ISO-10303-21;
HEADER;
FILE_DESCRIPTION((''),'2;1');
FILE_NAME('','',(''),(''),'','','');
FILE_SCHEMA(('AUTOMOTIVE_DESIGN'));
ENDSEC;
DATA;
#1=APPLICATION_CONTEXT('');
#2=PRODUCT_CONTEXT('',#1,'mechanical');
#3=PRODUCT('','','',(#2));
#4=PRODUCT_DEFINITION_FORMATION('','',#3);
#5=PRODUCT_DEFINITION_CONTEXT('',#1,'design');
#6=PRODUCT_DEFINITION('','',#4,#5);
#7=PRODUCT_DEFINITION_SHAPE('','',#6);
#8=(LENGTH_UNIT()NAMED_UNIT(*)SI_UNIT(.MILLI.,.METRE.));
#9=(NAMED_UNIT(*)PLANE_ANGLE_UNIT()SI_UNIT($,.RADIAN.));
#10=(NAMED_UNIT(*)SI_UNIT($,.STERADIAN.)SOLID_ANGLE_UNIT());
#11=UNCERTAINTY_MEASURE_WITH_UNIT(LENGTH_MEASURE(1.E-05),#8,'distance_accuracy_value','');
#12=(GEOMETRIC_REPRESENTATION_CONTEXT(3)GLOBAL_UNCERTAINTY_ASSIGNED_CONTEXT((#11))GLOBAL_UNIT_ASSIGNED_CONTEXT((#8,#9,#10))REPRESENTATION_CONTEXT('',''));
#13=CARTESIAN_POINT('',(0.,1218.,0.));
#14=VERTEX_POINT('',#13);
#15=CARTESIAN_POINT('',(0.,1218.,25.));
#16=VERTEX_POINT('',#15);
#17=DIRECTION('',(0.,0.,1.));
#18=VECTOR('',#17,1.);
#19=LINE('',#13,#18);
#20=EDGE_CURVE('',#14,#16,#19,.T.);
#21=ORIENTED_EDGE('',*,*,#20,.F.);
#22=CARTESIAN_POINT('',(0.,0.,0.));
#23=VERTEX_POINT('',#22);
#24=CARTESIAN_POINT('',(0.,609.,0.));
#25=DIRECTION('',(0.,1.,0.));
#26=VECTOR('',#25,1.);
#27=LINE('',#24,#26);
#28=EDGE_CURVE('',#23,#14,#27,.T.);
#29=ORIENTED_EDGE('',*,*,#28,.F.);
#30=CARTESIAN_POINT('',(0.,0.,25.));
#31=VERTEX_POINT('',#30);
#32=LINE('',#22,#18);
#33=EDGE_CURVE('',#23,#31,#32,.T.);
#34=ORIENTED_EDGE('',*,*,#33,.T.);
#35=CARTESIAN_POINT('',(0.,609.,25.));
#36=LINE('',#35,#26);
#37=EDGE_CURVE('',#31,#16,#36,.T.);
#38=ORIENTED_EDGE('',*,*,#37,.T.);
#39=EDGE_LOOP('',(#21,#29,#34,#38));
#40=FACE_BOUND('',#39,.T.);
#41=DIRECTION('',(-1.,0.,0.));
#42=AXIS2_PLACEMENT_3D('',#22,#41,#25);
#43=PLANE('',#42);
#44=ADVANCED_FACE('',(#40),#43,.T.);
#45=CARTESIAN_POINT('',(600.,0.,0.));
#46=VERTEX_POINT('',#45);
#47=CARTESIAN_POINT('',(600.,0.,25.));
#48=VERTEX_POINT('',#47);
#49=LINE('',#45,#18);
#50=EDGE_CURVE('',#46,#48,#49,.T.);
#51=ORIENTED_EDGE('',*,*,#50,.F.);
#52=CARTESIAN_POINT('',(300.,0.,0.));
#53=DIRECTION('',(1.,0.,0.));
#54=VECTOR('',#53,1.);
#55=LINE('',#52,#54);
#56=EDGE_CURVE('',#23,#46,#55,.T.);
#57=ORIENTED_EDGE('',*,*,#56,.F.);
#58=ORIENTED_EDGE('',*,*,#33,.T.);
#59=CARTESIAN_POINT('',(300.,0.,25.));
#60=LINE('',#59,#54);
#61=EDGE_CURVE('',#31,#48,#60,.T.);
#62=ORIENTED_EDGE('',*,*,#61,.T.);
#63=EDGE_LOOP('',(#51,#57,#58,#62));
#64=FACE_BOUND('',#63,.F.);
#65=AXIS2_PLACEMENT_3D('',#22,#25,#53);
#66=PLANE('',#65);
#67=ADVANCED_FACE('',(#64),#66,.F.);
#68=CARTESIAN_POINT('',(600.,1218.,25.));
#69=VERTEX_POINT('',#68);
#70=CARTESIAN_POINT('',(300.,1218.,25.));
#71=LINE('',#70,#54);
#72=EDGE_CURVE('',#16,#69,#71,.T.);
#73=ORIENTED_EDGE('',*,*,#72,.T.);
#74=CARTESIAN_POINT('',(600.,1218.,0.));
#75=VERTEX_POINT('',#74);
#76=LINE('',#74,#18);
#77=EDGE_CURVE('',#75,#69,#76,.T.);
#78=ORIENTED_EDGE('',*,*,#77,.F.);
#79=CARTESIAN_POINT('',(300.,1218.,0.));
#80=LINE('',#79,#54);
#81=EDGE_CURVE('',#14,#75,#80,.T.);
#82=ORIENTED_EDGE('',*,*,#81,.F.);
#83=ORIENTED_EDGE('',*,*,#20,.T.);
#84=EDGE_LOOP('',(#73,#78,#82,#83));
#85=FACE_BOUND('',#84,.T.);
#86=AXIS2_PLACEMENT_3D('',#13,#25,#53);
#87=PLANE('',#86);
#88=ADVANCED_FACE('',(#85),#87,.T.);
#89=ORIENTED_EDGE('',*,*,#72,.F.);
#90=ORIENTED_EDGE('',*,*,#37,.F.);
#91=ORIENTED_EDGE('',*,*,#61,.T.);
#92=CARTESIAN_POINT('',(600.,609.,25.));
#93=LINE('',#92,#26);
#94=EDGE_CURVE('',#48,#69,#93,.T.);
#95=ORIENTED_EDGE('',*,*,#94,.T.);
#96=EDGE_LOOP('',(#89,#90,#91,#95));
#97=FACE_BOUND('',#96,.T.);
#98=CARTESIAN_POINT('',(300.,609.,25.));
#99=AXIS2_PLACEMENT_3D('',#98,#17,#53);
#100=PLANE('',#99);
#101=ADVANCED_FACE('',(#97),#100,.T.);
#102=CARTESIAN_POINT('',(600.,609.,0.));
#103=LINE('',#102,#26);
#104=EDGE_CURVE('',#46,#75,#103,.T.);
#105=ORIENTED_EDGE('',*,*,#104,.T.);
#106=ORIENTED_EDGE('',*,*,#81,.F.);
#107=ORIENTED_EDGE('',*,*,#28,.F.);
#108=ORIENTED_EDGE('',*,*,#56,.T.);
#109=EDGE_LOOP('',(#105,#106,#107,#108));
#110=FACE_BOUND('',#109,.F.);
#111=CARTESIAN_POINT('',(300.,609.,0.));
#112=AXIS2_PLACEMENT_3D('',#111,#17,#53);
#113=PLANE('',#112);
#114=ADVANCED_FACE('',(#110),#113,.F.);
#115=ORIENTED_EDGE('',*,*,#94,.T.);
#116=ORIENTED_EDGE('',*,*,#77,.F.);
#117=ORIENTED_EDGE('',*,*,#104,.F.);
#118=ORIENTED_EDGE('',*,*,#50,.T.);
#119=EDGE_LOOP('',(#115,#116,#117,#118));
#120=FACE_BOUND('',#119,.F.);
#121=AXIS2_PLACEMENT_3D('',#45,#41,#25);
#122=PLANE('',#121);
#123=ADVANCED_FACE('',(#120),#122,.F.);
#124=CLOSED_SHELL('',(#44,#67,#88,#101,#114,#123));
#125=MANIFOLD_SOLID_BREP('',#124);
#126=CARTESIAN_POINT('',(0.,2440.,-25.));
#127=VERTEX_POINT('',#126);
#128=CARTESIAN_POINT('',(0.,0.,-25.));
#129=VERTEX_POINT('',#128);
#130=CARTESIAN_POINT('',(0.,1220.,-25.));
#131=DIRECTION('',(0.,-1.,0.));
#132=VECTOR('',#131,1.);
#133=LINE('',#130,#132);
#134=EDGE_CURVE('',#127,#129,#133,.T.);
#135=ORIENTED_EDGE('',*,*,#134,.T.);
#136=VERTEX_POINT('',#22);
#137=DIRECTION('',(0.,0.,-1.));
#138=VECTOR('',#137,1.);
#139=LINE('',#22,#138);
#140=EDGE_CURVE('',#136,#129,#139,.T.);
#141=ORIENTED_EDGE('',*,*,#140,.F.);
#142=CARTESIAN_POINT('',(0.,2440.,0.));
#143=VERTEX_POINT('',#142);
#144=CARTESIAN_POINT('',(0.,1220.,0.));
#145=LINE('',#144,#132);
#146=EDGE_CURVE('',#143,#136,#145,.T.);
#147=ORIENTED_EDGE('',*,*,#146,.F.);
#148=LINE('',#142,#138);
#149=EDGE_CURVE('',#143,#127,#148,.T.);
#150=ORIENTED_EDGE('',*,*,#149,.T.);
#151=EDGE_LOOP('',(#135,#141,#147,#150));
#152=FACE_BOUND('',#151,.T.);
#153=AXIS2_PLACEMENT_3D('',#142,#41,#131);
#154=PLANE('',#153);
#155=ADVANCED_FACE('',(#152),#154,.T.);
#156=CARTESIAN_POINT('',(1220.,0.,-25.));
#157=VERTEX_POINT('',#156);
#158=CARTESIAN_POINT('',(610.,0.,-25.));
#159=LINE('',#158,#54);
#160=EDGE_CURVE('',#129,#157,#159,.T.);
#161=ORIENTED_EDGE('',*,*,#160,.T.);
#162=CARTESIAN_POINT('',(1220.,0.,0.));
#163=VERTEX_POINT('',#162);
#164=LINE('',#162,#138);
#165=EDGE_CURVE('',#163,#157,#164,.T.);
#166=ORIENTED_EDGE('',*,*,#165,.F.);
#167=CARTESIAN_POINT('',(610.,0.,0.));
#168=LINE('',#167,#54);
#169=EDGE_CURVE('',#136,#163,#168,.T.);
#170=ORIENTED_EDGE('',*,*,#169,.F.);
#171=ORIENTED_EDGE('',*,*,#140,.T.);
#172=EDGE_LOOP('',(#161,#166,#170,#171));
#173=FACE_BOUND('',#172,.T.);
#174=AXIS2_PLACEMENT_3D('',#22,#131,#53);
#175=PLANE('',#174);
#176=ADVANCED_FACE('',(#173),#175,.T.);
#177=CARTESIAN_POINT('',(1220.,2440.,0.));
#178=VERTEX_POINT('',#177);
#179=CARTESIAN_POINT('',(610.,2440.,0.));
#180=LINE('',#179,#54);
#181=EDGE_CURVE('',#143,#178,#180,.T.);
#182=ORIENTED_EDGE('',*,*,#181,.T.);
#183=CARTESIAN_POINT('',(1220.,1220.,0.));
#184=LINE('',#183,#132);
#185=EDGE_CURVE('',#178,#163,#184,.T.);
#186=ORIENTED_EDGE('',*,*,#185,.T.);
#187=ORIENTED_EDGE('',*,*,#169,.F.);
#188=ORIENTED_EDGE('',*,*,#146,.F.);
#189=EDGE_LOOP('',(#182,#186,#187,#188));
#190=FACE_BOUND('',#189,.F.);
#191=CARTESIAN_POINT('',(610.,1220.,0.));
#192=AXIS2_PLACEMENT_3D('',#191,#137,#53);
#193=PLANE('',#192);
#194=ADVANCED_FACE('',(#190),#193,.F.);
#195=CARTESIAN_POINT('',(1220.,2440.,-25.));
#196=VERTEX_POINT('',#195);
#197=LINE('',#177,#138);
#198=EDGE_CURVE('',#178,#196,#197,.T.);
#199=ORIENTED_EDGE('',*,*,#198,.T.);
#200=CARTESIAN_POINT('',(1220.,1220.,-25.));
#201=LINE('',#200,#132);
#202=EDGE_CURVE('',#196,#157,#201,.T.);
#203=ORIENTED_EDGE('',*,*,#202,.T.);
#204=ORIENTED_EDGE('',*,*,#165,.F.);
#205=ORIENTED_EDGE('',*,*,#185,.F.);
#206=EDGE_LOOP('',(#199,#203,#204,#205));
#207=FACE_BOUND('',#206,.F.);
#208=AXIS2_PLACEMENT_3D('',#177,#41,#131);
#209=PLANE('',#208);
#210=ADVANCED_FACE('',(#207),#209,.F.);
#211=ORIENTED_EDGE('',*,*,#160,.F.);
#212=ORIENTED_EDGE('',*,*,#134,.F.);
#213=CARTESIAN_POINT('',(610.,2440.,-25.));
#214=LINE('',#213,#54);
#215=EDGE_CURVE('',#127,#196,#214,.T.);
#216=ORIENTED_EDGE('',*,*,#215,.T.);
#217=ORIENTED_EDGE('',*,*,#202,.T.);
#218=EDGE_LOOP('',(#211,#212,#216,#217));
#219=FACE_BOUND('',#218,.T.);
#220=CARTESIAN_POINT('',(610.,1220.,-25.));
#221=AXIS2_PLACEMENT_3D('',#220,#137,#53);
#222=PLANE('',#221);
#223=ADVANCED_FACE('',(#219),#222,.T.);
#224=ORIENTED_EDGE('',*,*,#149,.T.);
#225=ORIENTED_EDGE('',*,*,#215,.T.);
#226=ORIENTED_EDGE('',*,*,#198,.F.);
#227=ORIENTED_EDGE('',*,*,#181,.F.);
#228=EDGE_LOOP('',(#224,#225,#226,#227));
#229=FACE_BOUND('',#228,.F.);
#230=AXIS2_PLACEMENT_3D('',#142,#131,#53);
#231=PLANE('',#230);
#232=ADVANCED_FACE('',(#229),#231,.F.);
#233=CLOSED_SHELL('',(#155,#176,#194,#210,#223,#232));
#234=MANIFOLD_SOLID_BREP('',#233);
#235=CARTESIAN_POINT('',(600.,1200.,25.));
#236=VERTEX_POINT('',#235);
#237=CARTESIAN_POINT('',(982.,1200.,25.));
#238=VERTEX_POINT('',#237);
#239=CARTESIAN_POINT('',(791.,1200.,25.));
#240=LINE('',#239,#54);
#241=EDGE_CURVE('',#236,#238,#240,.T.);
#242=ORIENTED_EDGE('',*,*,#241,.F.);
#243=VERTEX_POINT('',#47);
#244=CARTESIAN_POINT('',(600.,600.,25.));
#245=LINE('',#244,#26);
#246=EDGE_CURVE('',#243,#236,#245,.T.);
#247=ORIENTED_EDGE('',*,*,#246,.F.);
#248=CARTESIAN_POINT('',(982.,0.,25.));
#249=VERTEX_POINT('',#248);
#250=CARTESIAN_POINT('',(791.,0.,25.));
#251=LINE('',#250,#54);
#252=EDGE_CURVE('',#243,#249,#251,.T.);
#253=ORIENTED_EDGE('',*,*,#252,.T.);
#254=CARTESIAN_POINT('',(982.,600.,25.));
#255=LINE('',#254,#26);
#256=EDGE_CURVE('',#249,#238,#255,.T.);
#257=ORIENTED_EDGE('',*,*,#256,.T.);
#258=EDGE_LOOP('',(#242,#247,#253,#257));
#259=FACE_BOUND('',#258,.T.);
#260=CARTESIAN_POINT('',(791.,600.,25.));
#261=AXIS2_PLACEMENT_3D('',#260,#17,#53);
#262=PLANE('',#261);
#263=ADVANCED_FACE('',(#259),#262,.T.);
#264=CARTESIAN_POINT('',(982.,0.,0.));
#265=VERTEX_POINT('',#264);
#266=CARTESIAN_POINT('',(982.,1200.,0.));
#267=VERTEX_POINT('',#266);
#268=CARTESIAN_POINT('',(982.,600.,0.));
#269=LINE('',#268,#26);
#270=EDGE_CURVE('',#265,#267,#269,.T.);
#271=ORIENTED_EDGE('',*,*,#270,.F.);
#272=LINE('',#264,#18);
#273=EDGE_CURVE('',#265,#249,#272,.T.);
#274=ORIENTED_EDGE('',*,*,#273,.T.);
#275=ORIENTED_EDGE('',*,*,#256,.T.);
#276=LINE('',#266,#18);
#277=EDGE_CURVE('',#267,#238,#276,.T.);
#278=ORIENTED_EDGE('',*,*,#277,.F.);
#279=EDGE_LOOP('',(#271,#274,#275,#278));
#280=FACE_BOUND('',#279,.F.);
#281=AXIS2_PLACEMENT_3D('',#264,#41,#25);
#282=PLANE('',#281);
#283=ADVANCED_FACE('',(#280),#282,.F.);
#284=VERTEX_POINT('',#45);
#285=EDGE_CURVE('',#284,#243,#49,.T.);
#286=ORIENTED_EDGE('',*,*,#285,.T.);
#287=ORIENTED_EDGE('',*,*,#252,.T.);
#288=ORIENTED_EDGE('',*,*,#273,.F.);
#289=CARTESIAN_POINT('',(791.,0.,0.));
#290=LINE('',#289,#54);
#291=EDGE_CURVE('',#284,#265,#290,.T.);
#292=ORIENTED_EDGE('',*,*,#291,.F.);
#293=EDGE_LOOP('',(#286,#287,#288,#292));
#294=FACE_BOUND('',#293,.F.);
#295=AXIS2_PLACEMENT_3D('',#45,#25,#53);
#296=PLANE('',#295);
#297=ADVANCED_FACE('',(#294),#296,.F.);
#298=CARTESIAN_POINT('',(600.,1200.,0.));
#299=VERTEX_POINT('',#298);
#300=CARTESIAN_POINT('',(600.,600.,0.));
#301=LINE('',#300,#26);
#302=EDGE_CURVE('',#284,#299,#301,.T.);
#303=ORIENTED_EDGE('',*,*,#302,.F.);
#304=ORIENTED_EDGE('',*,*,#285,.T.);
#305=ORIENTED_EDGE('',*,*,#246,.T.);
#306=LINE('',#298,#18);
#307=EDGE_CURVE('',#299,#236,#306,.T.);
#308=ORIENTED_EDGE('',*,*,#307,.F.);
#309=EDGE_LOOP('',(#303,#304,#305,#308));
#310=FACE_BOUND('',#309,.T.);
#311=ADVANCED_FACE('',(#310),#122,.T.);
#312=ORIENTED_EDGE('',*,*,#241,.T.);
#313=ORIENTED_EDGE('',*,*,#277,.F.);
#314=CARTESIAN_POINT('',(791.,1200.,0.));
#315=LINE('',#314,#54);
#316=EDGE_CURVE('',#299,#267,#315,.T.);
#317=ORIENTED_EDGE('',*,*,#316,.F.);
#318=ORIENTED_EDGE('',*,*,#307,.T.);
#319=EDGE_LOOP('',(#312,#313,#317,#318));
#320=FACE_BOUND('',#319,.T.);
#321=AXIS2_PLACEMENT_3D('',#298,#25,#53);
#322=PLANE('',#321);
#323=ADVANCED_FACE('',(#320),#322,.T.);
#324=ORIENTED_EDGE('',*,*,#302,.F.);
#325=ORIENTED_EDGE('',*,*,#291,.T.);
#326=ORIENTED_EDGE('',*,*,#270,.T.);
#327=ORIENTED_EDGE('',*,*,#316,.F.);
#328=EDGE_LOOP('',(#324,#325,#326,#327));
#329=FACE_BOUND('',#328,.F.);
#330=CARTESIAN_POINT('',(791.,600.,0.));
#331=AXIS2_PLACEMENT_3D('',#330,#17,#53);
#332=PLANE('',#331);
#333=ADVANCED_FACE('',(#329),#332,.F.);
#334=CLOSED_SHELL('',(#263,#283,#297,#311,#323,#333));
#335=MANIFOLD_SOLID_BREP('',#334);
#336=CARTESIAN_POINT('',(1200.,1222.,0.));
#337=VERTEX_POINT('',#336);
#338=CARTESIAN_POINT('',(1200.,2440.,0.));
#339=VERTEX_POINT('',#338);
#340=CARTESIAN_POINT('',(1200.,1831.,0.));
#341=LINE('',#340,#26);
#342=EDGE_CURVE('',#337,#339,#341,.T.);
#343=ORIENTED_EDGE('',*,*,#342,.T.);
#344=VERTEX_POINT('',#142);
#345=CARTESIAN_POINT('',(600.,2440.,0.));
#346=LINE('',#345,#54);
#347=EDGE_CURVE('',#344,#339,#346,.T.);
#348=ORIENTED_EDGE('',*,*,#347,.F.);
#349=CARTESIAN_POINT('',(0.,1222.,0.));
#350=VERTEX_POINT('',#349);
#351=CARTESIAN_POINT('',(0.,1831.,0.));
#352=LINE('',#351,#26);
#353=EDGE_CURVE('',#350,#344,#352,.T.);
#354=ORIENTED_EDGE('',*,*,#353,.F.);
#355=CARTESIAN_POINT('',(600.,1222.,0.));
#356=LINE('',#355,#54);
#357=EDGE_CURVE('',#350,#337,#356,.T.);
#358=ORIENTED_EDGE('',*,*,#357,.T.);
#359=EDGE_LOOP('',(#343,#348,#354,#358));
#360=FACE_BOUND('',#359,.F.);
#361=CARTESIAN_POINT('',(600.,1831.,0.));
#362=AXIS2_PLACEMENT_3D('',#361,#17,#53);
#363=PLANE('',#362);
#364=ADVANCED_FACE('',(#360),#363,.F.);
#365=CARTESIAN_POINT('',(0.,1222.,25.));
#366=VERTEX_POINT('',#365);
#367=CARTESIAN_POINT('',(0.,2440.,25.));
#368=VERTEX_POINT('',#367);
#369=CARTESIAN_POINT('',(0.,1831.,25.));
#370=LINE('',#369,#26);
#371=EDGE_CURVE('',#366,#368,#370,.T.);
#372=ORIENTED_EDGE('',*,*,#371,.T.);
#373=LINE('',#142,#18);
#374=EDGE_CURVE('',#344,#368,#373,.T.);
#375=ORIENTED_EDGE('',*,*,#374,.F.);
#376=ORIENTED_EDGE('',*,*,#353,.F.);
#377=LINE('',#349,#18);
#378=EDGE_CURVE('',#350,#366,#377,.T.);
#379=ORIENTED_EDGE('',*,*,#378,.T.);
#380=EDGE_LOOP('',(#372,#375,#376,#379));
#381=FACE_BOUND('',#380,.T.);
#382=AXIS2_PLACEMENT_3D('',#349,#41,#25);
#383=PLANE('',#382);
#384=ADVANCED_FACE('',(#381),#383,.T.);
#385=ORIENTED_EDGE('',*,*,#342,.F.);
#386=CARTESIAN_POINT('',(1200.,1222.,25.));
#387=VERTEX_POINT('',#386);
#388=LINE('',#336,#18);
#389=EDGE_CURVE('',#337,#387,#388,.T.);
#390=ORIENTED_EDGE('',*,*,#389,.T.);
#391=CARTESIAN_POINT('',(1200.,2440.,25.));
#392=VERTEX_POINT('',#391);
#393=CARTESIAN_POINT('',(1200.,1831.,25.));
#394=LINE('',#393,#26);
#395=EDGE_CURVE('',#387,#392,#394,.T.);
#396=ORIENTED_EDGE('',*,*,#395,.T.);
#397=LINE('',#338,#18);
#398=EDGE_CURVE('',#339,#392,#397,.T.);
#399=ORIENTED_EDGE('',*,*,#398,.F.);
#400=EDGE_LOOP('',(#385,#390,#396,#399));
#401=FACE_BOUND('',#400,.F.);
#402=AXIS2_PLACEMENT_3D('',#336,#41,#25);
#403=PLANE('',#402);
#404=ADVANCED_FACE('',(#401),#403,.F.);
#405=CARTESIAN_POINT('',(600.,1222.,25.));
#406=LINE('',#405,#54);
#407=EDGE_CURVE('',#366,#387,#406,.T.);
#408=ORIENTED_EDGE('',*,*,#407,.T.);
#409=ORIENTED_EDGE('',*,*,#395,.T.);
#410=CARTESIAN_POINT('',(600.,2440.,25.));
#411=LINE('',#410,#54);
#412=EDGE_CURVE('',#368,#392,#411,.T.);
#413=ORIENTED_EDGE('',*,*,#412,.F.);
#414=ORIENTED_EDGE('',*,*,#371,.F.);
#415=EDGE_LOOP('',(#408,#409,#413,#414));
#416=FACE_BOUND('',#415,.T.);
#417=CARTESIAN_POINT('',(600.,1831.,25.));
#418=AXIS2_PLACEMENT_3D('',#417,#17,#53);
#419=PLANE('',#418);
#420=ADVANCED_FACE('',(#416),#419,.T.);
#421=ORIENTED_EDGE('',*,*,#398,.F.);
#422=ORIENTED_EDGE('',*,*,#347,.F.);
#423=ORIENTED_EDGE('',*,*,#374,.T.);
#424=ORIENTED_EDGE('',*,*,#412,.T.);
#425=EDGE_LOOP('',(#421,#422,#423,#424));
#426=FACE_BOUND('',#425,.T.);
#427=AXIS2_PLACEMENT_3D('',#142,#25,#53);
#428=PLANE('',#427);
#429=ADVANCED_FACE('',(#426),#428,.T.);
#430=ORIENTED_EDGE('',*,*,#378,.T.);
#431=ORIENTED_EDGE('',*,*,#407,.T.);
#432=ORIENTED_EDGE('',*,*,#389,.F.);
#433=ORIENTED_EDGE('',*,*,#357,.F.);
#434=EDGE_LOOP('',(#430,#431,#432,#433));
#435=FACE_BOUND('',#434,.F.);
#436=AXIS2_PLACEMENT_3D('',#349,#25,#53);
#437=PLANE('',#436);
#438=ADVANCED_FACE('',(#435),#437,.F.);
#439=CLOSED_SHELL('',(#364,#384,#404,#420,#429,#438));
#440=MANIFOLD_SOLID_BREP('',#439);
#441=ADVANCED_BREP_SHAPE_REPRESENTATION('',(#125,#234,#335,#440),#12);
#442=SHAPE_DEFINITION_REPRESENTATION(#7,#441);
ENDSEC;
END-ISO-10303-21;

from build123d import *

# Parameters (mm, degrees)
F0_W     = 600
F0_H     = 1218
F1_DEPTH = 25
F2_W     = 1220
F2_H     = 2440
F3_DEPTH = 25
F4_W     = 1200
F4_H     = 1218
F5_DEPTH = 25
F6_W     = 382
F6_H     = 1200
F7_DEPTH = 25


with BuildPart() as f1:
    # F0 (on Top) → F1 (new body)
    with BuildSketch(Plane.XY):
        with Locations((300, 609)):
            Rectangle(F0_W, F0_H)
    extrude(amount=F1_DEPTH)


with BuildPart() as f3:
    # F2 (on face) → F3 (new body)
    with BuildSketch(Plane(origin=(0, 0, 0), x_dir=(1, 0, 0), z_dir=(0, 0, -1))):
        with Locations((610, -1220)):
            Rectangle(F2_W, F2_H)
    extrude(amount=F3_DEPTH)


with BuildPart() as f5:
    # F4 (on face) → F5 (new body)
    with BuildSketch(Plane.XY):
        with Locations((600, 1831)):
            Rectangle(F4_W, F4_H)
    extrude(amount=F5_DEPTH)


with BuildPart() as f7:
    # F6 (on face) → F7 (new body)
    with BuildSketch(Plane.XY):
        with Locations((791, 600)):
            Rectangle(F6_W, F6_H)
    extrude(amount=F7_DEPTH)


solid = Compound([f1.part, f3.part, f5.part, f7.part])
